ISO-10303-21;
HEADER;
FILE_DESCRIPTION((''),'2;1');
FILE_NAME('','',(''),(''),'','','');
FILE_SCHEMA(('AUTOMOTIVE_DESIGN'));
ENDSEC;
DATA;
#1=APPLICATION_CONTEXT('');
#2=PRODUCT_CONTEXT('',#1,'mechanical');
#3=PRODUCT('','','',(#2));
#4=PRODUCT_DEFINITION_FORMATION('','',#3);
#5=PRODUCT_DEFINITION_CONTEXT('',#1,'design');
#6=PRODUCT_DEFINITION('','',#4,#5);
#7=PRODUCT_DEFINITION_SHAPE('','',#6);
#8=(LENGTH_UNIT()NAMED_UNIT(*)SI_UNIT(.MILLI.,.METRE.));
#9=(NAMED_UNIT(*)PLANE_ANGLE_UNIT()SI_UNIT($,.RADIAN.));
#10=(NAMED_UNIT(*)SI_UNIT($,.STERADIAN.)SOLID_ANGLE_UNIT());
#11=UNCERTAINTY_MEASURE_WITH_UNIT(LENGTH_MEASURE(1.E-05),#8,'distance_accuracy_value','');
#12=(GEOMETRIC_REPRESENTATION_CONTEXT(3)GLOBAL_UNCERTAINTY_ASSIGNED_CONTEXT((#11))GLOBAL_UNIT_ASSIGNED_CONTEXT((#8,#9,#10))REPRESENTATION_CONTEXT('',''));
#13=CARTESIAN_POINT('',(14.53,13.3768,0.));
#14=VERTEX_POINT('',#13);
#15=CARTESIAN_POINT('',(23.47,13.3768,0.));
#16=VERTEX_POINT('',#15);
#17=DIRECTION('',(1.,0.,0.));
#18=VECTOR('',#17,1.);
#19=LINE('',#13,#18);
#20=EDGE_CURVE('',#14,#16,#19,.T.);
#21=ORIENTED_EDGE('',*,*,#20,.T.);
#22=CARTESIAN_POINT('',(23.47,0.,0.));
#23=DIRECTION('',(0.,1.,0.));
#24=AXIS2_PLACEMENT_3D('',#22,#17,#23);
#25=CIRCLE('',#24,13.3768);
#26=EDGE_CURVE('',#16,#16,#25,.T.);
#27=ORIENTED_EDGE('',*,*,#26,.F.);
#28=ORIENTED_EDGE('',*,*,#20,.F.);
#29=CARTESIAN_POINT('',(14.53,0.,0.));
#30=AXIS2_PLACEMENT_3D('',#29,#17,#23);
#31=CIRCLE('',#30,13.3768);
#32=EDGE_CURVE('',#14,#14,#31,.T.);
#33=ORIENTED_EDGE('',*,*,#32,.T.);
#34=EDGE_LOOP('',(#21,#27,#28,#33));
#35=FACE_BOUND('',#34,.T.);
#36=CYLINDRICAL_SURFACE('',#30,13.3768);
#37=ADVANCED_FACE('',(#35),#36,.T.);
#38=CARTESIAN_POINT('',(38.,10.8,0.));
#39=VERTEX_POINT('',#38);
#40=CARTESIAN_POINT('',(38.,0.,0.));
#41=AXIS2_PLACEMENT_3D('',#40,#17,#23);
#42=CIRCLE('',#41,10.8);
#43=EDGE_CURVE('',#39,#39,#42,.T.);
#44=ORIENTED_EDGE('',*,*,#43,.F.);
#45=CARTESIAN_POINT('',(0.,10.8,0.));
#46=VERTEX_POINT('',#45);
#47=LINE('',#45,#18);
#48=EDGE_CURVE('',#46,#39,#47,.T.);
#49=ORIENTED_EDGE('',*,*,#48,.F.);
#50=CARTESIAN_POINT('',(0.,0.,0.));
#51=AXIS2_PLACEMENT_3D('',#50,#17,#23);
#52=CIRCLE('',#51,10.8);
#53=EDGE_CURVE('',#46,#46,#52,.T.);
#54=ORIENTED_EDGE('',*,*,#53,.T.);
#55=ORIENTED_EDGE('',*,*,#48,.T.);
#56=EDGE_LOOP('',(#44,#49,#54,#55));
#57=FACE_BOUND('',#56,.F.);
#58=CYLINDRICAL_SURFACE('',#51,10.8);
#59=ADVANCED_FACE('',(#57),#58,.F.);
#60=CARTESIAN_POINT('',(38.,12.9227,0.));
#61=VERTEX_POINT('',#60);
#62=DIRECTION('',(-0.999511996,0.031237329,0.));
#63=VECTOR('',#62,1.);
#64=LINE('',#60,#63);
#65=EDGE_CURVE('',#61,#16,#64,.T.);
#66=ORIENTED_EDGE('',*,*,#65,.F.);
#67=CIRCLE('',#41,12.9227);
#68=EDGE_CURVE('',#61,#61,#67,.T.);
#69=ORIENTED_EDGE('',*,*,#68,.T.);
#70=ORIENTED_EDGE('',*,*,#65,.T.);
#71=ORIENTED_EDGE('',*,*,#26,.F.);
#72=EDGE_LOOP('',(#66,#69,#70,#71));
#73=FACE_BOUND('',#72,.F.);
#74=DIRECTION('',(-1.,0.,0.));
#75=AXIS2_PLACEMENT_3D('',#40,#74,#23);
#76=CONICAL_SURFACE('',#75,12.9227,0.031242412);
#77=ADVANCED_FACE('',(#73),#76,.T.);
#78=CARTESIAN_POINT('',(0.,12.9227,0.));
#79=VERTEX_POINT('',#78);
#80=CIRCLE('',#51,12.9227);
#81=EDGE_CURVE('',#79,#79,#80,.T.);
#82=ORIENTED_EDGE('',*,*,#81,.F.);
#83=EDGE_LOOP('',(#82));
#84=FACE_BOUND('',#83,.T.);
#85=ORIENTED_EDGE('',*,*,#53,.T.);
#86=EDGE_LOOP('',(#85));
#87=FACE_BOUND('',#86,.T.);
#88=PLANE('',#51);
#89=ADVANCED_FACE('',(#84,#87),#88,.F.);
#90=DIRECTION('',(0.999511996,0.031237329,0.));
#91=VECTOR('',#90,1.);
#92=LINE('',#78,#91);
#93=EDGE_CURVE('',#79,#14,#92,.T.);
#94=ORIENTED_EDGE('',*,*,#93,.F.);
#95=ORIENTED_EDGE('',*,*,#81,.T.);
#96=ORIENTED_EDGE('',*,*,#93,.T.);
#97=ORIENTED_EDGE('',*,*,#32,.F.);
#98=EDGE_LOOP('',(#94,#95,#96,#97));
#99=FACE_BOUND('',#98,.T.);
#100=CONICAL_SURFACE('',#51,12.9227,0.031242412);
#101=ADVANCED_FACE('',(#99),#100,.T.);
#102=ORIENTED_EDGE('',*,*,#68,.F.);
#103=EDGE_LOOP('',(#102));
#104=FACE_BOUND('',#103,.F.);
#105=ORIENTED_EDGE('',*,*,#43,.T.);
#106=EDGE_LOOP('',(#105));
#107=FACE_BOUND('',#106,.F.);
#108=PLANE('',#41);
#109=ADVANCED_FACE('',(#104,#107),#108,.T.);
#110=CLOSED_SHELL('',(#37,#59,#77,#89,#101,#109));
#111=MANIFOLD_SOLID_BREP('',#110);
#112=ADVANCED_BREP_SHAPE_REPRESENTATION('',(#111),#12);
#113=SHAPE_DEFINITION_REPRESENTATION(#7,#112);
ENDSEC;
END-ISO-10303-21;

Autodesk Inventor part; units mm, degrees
ref_plane "YZ Plane" through (0, 0, 0) normal (1, 0, 0) x (0, 1, 0)
ref_plane "XZ Plane" through (0, 0, 0) normal (0, 1, 0) x (-1, 0, 0)
ref_plane "XY Plane" through (0, 0, 0) normal (0, 0, 1) x (1, 0, 0)
sketch "Sketch1" plane through (0, 0, 0) normal (0, 0, 1) x (1, 0, 0)
  line L0 (0, 0) -> (38, 0)
  line L1 (38, 10.8) -> (38, 12.9227)
  line L2 (38, 10.8) -> (38, 0) construction
  line L3 (0, 10.8) -> (0, 12.9227)
  line L4 (0, 10.8) -> (0, 0) construction
  line L5 (0, 10.8) -> (38, 10.8)
  line L6 (0, 12.9227) -> (14.53, 13.3768)
  line L7 (19, 13.3768) -> (19, 0) construction
  line L8 (9.53, 13.2205) -> (9.53, 0) construction
  line L9 (38, 12.9227) -> (23.47, 13.3768)
  line L10 (14.53, 13.3768) -> (23.47, 13.3768)
  line L11 (14.53, 13.3768) -> (14.53, 0) construction
  line L12 (23.47, 13.3768) -> (23.47, 0) construction
  dimension "d1" = 1.79
  dimension "d2" = 38
  dimension "d7" = 9.53
  dimension "d8" = 26.441
  dimension "d57" = 21.6
  dimension "d60" = 14.53
  dimension "d62" = 0
revolve "Revolution1" add sketch "Sketch1" angle 360 about axis through (0, 0, 0) along (1, 0, 0)
thread "Thread1" size "R 3/4" standard "JIS Taper" length 17.1
thread "Thread2" size "R 3/4" standard "JIS Taper" length 17.1
equation "\"d2\" = L"
equation "\"d7\" = a"
equation "\"d8\" = MjD"
equation "\"d57\" = d"
equation "\"d60\" = ll"
equation "\"d3\" = 0.45 * L"
equation "\"d5\" = 0.45 * L"
equation "\"MjD\" = 26.441"
equation "\"d\" = 21.6"
equation "\"a\" = 9.53"
equation "\"ll\" = 14.53"
equation "\"Size_Designation\" = 0.75"
properties part number "JIS B 2302 Barrel Nipple 3/4" material "Steel, Carbon"
